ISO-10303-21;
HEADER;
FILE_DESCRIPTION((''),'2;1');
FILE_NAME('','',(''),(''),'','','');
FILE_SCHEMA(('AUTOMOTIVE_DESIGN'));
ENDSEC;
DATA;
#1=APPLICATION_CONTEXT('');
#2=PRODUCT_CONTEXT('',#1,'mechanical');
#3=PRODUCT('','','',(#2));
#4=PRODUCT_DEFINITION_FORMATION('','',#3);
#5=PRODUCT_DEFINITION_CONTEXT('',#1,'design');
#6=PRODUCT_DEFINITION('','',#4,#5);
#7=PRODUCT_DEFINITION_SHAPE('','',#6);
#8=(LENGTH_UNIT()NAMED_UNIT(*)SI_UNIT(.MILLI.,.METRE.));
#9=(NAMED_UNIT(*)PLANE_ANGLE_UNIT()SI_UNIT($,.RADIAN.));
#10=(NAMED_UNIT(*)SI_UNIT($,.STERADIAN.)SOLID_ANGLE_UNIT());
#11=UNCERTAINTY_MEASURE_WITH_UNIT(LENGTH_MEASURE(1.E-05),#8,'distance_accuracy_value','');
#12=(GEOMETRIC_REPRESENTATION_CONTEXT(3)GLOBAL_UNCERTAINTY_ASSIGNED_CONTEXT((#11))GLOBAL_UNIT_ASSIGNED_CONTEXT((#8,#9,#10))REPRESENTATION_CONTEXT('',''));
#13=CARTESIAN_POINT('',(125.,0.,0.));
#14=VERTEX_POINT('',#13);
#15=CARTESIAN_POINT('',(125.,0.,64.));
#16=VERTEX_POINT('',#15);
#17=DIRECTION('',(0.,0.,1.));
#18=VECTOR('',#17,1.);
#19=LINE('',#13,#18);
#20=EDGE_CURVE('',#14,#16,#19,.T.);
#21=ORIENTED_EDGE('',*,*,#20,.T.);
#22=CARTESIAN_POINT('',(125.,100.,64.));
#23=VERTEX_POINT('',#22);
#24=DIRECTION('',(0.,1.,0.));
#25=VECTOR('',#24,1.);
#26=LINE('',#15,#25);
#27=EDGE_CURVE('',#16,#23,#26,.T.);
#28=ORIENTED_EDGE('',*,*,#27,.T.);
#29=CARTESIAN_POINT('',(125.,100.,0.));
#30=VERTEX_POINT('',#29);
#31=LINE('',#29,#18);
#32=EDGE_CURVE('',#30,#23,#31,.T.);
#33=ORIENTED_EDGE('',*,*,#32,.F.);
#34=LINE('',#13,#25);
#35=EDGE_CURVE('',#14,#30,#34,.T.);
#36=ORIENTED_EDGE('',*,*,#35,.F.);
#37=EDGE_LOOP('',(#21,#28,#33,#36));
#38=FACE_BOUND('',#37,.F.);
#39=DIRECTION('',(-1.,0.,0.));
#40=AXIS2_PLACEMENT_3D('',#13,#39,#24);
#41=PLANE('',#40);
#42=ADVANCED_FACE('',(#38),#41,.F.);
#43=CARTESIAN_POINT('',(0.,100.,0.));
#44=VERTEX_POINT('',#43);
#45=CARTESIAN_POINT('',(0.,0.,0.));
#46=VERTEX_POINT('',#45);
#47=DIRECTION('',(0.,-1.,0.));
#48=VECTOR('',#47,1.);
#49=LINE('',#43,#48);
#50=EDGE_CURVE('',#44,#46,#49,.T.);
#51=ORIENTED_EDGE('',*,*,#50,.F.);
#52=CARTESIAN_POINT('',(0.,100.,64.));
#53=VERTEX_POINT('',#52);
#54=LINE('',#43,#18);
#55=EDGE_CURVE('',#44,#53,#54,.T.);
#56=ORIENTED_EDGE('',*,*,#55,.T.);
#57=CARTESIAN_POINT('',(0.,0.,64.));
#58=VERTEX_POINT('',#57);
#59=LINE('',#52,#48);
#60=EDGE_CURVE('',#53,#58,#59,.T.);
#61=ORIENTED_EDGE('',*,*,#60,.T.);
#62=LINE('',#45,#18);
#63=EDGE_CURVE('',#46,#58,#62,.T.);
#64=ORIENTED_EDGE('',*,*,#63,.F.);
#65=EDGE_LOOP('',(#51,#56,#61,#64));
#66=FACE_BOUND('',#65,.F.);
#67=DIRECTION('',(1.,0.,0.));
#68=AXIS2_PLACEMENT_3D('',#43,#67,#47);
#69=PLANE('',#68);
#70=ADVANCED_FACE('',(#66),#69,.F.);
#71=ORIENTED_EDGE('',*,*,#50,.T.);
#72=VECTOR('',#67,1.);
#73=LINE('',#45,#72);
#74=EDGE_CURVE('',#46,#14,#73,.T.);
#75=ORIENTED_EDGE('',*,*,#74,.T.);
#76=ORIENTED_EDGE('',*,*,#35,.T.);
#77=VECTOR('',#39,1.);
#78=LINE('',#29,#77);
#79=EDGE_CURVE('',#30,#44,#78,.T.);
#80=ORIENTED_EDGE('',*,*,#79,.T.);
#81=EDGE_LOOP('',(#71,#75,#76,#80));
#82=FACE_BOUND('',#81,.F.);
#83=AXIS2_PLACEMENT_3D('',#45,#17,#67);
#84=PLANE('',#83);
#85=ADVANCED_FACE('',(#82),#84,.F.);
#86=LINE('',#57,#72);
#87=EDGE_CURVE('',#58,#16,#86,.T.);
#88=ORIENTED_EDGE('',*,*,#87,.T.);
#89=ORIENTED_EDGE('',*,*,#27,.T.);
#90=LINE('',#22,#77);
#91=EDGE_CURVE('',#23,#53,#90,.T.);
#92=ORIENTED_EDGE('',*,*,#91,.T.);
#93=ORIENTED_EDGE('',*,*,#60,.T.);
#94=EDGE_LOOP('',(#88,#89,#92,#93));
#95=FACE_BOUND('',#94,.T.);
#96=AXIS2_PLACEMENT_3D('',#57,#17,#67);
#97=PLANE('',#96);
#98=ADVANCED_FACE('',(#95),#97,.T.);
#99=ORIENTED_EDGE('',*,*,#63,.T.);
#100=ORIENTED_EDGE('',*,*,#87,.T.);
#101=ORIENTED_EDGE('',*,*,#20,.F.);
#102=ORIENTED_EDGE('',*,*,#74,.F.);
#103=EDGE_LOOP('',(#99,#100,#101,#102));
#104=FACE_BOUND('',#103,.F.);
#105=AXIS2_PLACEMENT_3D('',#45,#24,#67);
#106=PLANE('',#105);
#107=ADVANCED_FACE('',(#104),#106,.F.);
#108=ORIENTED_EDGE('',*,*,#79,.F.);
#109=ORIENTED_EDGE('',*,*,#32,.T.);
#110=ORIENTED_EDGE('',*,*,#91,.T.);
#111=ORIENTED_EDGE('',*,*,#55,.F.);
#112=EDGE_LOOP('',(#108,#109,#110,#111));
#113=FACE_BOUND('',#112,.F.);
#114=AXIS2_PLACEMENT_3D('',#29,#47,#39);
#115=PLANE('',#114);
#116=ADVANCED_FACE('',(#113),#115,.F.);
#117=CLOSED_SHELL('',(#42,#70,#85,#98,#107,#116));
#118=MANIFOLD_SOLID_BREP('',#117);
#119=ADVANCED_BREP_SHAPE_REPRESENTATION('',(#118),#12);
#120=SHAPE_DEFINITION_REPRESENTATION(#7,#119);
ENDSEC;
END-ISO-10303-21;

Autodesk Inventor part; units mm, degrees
ref_plane "YZ Plane" through (0, 0, 0) normal (1, 0, 0) x (0, 1, 0)
ref_plane "XZ Plane" through (0, 0, 0) normal (0, 1, 0) x (-1, 0, 0)
ref_plane "XY Plane" through (0, 0, 0) normal (0, 0, 1) x (1, 0, 0)
sketch "Sketch1" plane through (0, 0, 0) normal (0, 0, 1) x (1, 0, 0)
  line L0 (0, 0) -> (125, 0)
  line L1 (125, 0) -> (125, 100)
  line L2 (125, 100) -> (0, 100)
  line L3 (0, 100) -> (0, 0)
  dimension "d0" = 125
  dimension "d1" = 100
extrude "Extrusion1" add sketch "Sketch1" along normal blind 64
properties part number "sfx psu"
